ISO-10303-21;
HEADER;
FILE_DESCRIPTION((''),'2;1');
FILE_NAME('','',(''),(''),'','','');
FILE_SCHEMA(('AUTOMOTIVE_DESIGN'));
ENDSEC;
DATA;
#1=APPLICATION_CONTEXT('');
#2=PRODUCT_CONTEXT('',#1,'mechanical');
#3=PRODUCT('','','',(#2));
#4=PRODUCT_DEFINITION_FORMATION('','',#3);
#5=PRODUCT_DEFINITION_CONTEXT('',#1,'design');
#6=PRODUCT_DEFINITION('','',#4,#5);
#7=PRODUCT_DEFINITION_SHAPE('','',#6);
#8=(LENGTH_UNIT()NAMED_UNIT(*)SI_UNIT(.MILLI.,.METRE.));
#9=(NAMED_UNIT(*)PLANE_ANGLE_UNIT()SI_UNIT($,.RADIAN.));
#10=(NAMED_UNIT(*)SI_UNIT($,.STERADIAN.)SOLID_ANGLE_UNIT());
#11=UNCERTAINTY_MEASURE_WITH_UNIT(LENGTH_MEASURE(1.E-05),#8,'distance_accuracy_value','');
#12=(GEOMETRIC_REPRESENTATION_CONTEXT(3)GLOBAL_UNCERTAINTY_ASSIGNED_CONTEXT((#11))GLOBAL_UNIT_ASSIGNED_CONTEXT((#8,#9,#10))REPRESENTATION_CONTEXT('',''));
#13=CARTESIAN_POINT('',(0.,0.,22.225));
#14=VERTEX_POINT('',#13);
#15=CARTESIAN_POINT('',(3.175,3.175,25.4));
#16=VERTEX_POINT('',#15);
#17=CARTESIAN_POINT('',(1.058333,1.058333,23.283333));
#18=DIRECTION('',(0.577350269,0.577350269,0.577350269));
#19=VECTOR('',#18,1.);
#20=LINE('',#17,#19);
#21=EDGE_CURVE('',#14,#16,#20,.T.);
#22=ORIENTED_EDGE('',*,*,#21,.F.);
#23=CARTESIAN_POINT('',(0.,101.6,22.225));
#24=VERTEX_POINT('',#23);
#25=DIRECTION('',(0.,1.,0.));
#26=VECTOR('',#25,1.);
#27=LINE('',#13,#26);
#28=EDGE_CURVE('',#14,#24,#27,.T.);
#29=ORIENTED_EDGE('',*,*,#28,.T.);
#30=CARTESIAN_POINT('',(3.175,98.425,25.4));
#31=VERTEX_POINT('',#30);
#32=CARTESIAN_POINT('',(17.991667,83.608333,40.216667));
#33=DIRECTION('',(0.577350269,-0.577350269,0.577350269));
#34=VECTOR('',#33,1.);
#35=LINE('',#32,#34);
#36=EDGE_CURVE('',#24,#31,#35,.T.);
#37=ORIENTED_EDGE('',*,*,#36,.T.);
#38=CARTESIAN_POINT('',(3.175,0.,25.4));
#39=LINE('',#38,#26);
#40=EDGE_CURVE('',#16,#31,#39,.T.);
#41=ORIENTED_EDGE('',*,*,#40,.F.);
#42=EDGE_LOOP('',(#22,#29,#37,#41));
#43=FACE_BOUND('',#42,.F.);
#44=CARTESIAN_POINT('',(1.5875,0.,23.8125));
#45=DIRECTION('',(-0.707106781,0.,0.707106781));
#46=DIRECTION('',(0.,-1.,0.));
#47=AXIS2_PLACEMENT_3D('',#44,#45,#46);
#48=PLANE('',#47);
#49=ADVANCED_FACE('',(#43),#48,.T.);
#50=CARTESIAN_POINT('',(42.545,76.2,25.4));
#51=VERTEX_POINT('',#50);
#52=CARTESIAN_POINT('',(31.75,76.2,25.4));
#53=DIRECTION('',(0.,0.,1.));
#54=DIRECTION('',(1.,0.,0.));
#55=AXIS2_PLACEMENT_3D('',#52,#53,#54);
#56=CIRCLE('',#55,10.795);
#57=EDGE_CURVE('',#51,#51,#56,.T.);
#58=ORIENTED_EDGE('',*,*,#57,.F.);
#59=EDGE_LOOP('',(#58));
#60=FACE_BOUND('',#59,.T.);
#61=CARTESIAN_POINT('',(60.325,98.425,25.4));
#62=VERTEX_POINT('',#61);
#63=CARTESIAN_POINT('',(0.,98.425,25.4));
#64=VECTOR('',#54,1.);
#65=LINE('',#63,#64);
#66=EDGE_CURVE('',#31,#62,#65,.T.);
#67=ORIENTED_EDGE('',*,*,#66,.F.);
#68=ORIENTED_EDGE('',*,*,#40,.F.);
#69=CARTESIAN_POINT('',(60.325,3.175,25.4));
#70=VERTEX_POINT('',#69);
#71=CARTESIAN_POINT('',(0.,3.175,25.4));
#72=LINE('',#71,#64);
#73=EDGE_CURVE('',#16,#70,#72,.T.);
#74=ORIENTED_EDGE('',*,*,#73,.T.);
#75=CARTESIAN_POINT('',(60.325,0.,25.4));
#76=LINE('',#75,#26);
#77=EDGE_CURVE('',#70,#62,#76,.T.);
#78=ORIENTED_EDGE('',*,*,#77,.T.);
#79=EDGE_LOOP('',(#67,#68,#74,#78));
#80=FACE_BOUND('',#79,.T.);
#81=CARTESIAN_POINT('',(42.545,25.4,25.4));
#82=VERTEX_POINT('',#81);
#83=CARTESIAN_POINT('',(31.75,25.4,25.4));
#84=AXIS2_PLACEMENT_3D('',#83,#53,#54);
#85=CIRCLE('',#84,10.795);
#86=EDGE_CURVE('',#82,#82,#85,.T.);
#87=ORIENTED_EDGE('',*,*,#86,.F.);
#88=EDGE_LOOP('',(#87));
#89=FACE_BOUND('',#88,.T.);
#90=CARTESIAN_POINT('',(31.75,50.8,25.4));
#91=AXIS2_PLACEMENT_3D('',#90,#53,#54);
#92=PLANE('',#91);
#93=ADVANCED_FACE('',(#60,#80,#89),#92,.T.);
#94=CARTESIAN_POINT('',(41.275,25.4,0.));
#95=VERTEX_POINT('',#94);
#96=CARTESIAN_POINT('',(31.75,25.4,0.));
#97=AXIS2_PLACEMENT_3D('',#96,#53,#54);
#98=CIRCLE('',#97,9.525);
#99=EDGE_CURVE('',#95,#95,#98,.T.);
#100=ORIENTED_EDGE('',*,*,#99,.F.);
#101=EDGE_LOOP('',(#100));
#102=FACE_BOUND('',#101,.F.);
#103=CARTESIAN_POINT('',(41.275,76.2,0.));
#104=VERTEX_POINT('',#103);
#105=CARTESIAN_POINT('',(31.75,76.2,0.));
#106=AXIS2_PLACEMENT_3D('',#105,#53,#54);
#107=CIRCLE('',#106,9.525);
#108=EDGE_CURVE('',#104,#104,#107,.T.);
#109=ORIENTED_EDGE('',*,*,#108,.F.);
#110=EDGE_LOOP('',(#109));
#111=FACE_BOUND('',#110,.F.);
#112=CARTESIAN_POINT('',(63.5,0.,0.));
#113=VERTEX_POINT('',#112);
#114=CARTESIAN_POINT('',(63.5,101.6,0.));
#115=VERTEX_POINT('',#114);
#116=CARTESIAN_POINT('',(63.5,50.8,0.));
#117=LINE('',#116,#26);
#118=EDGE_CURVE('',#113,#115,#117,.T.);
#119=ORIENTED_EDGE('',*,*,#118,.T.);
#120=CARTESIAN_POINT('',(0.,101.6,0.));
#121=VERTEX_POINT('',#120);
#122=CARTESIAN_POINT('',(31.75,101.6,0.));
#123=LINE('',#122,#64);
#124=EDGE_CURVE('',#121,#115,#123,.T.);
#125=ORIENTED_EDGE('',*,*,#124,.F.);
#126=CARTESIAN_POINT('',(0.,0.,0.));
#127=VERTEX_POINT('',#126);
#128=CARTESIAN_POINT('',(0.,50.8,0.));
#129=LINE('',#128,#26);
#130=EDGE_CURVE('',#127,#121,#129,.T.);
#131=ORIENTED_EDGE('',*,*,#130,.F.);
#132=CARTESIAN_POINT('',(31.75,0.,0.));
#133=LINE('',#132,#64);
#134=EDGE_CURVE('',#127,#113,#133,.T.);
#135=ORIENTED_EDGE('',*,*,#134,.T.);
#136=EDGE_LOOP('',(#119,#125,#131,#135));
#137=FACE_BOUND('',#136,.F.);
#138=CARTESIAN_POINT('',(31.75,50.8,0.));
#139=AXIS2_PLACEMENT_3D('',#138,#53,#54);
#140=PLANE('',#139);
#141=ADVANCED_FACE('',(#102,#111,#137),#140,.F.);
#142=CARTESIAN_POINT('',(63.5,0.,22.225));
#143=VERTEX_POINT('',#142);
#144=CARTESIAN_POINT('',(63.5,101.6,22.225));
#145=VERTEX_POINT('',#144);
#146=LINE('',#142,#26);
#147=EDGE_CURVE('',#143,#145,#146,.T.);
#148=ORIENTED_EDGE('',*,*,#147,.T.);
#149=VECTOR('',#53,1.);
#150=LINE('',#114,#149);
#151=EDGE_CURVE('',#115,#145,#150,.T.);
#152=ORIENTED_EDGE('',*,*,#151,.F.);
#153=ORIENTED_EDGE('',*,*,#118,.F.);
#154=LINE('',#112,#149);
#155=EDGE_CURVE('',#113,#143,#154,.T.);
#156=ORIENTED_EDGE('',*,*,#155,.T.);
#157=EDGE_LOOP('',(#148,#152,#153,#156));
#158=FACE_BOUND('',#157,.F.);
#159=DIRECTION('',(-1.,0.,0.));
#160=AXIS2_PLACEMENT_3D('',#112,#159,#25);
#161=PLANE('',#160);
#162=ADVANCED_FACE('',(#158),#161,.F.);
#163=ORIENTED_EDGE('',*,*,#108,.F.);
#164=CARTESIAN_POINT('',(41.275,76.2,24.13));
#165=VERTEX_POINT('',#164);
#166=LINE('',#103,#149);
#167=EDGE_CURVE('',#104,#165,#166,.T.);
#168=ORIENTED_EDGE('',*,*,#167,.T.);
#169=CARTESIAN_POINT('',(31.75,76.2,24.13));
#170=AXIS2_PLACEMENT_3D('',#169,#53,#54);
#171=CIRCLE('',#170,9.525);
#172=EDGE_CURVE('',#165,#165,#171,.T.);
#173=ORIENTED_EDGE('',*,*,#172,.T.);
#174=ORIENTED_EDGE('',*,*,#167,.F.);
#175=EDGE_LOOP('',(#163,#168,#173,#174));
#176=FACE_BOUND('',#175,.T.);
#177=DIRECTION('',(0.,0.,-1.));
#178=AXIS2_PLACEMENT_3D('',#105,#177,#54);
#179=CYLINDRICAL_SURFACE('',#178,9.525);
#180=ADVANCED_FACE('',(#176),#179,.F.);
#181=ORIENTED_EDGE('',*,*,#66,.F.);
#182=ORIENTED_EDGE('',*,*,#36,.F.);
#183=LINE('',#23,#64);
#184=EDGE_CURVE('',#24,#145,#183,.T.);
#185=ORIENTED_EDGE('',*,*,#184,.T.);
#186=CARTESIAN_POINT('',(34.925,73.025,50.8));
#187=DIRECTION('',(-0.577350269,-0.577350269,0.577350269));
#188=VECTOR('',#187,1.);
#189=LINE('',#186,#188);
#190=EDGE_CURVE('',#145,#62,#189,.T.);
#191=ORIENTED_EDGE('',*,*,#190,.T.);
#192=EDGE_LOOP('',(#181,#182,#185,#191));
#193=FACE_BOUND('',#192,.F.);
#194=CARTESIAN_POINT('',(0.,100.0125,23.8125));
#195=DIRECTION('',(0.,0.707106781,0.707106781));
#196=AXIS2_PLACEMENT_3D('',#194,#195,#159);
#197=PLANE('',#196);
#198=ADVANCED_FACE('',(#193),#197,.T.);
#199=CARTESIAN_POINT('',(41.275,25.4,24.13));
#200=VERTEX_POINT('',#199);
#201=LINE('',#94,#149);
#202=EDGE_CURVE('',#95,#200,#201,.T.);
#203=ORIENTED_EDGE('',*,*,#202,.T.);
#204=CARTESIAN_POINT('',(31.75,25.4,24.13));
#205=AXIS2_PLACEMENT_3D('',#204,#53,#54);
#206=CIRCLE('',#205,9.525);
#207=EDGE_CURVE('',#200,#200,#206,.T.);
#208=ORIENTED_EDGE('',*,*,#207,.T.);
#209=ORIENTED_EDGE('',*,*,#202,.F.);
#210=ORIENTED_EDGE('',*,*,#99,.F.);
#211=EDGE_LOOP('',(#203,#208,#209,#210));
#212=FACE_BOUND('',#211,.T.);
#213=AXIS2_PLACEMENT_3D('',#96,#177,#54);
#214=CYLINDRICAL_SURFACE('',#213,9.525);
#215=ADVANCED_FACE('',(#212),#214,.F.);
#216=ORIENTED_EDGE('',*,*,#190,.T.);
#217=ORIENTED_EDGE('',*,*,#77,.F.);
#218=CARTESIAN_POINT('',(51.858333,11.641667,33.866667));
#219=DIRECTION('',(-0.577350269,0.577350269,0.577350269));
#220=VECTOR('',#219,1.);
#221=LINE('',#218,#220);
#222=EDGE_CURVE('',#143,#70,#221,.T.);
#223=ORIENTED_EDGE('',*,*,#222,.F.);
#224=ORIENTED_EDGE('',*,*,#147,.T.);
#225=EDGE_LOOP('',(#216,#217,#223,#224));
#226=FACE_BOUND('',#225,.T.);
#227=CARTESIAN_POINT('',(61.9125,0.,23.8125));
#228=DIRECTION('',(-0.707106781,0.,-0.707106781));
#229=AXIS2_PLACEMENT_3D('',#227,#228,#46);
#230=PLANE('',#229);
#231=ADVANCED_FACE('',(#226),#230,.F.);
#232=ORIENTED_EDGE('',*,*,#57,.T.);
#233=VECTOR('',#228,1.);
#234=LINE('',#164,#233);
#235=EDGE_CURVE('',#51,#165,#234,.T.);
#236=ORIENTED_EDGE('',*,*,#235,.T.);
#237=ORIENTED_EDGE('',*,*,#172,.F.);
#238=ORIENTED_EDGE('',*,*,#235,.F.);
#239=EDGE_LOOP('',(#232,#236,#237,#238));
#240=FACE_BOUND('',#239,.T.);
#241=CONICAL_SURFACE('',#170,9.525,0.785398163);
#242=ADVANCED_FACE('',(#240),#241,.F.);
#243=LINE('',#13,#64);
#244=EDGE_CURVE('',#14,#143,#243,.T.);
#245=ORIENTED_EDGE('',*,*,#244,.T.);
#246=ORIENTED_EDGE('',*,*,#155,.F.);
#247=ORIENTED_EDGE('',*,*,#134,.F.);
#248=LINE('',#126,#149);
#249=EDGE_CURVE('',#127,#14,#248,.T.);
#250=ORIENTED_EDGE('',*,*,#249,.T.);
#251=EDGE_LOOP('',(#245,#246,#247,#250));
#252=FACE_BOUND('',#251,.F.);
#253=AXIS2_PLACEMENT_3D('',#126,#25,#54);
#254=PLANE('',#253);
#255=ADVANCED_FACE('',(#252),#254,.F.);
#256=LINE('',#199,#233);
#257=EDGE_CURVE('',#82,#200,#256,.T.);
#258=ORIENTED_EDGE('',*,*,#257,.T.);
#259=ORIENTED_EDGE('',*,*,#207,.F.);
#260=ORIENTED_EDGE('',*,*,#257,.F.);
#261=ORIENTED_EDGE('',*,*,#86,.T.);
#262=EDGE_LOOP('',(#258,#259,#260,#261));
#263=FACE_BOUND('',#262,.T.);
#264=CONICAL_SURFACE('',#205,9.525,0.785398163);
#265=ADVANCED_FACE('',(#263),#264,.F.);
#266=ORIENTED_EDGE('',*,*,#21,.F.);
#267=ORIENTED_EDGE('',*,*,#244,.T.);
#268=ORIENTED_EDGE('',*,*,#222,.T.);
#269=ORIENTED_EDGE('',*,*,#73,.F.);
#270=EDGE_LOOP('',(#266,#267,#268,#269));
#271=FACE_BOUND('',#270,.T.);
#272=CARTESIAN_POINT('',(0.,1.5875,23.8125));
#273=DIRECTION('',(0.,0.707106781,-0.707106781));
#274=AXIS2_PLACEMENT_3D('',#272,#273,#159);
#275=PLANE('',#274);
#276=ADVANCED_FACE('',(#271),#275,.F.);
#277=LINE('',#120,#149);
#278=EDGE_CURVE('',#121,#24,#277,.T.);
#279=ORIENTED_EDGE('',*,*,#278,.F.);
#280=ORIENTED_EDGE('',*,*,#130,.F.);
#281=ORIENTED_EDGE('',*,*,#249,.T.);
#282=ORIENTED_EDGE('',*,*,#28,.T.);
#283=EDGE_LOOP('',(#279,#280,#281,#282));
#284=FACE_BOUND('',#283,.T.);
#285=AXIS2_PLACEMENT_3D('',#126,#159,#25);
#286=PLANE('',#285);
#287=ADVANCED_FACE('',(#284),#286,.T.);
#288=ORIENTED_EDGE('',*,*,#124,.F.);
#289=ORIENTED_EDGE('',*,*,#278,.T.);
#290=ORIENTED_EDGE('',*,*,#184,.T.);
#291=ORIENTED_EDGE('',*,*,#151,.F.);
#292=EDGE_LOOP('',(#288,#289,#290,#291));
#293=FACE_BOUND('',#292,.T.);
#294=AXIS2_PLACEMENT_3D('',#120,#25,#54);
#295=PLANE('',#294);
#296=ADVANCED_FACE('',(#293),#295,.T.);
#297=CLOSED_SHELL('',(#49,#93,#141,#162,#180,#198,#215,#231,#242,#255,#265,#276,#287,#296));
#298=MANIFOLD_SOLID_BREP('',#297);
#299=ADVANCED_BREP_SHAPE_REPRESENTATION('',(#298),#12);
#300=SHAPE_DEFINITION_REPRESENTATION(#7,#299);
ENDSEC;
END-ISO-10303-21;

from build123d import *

# Parameters (mm, degrees)
F0_W     = 63.5
F0_H     = 101.6
F0_R     = 9.525
F1_DEPTH = 25.4
F2_SIZE  = 3.175
F3_SIZE  = 1.27


with BuildPart() as f1:
    # F0 (on Top) → F1 (new body)
    with BuildSketch(Plane.XY):
        with Locations((31.75, 50.8)):
            Rectangle(F0_W, F0_H)
        with Locations((31.75, 25.4)):
            Circle(F0_R, mode=Mode.SUBTRACT)
        with Locations((31.75, 76.2)):
            Circle(F0_R, mode=Mode.SUBTRACT)
    extrude(amount=F1_DEPTH)

    # F2
    f2_edges = [f1.edges().sort_by_distance(p)[0] for p in [
        (63.5, 50.8, 25.4),
        (31.75, 101.6, 25.4),
        (0, 50.8, 25.4),
        (31.75, 0, 25.4),
    ]]
    chamfer(f2_edges, length=F2_SIZE)

    # F3
    f3_edges = [f1.edges().sort_by_distance(p)[0] for p in [
        (22.225, 76.2, 25.4),
        (22.225, 25.4, 25.4),
    ]]
    chamfer(f3_edges, length=F3_SIZE)


solid = f1.part
